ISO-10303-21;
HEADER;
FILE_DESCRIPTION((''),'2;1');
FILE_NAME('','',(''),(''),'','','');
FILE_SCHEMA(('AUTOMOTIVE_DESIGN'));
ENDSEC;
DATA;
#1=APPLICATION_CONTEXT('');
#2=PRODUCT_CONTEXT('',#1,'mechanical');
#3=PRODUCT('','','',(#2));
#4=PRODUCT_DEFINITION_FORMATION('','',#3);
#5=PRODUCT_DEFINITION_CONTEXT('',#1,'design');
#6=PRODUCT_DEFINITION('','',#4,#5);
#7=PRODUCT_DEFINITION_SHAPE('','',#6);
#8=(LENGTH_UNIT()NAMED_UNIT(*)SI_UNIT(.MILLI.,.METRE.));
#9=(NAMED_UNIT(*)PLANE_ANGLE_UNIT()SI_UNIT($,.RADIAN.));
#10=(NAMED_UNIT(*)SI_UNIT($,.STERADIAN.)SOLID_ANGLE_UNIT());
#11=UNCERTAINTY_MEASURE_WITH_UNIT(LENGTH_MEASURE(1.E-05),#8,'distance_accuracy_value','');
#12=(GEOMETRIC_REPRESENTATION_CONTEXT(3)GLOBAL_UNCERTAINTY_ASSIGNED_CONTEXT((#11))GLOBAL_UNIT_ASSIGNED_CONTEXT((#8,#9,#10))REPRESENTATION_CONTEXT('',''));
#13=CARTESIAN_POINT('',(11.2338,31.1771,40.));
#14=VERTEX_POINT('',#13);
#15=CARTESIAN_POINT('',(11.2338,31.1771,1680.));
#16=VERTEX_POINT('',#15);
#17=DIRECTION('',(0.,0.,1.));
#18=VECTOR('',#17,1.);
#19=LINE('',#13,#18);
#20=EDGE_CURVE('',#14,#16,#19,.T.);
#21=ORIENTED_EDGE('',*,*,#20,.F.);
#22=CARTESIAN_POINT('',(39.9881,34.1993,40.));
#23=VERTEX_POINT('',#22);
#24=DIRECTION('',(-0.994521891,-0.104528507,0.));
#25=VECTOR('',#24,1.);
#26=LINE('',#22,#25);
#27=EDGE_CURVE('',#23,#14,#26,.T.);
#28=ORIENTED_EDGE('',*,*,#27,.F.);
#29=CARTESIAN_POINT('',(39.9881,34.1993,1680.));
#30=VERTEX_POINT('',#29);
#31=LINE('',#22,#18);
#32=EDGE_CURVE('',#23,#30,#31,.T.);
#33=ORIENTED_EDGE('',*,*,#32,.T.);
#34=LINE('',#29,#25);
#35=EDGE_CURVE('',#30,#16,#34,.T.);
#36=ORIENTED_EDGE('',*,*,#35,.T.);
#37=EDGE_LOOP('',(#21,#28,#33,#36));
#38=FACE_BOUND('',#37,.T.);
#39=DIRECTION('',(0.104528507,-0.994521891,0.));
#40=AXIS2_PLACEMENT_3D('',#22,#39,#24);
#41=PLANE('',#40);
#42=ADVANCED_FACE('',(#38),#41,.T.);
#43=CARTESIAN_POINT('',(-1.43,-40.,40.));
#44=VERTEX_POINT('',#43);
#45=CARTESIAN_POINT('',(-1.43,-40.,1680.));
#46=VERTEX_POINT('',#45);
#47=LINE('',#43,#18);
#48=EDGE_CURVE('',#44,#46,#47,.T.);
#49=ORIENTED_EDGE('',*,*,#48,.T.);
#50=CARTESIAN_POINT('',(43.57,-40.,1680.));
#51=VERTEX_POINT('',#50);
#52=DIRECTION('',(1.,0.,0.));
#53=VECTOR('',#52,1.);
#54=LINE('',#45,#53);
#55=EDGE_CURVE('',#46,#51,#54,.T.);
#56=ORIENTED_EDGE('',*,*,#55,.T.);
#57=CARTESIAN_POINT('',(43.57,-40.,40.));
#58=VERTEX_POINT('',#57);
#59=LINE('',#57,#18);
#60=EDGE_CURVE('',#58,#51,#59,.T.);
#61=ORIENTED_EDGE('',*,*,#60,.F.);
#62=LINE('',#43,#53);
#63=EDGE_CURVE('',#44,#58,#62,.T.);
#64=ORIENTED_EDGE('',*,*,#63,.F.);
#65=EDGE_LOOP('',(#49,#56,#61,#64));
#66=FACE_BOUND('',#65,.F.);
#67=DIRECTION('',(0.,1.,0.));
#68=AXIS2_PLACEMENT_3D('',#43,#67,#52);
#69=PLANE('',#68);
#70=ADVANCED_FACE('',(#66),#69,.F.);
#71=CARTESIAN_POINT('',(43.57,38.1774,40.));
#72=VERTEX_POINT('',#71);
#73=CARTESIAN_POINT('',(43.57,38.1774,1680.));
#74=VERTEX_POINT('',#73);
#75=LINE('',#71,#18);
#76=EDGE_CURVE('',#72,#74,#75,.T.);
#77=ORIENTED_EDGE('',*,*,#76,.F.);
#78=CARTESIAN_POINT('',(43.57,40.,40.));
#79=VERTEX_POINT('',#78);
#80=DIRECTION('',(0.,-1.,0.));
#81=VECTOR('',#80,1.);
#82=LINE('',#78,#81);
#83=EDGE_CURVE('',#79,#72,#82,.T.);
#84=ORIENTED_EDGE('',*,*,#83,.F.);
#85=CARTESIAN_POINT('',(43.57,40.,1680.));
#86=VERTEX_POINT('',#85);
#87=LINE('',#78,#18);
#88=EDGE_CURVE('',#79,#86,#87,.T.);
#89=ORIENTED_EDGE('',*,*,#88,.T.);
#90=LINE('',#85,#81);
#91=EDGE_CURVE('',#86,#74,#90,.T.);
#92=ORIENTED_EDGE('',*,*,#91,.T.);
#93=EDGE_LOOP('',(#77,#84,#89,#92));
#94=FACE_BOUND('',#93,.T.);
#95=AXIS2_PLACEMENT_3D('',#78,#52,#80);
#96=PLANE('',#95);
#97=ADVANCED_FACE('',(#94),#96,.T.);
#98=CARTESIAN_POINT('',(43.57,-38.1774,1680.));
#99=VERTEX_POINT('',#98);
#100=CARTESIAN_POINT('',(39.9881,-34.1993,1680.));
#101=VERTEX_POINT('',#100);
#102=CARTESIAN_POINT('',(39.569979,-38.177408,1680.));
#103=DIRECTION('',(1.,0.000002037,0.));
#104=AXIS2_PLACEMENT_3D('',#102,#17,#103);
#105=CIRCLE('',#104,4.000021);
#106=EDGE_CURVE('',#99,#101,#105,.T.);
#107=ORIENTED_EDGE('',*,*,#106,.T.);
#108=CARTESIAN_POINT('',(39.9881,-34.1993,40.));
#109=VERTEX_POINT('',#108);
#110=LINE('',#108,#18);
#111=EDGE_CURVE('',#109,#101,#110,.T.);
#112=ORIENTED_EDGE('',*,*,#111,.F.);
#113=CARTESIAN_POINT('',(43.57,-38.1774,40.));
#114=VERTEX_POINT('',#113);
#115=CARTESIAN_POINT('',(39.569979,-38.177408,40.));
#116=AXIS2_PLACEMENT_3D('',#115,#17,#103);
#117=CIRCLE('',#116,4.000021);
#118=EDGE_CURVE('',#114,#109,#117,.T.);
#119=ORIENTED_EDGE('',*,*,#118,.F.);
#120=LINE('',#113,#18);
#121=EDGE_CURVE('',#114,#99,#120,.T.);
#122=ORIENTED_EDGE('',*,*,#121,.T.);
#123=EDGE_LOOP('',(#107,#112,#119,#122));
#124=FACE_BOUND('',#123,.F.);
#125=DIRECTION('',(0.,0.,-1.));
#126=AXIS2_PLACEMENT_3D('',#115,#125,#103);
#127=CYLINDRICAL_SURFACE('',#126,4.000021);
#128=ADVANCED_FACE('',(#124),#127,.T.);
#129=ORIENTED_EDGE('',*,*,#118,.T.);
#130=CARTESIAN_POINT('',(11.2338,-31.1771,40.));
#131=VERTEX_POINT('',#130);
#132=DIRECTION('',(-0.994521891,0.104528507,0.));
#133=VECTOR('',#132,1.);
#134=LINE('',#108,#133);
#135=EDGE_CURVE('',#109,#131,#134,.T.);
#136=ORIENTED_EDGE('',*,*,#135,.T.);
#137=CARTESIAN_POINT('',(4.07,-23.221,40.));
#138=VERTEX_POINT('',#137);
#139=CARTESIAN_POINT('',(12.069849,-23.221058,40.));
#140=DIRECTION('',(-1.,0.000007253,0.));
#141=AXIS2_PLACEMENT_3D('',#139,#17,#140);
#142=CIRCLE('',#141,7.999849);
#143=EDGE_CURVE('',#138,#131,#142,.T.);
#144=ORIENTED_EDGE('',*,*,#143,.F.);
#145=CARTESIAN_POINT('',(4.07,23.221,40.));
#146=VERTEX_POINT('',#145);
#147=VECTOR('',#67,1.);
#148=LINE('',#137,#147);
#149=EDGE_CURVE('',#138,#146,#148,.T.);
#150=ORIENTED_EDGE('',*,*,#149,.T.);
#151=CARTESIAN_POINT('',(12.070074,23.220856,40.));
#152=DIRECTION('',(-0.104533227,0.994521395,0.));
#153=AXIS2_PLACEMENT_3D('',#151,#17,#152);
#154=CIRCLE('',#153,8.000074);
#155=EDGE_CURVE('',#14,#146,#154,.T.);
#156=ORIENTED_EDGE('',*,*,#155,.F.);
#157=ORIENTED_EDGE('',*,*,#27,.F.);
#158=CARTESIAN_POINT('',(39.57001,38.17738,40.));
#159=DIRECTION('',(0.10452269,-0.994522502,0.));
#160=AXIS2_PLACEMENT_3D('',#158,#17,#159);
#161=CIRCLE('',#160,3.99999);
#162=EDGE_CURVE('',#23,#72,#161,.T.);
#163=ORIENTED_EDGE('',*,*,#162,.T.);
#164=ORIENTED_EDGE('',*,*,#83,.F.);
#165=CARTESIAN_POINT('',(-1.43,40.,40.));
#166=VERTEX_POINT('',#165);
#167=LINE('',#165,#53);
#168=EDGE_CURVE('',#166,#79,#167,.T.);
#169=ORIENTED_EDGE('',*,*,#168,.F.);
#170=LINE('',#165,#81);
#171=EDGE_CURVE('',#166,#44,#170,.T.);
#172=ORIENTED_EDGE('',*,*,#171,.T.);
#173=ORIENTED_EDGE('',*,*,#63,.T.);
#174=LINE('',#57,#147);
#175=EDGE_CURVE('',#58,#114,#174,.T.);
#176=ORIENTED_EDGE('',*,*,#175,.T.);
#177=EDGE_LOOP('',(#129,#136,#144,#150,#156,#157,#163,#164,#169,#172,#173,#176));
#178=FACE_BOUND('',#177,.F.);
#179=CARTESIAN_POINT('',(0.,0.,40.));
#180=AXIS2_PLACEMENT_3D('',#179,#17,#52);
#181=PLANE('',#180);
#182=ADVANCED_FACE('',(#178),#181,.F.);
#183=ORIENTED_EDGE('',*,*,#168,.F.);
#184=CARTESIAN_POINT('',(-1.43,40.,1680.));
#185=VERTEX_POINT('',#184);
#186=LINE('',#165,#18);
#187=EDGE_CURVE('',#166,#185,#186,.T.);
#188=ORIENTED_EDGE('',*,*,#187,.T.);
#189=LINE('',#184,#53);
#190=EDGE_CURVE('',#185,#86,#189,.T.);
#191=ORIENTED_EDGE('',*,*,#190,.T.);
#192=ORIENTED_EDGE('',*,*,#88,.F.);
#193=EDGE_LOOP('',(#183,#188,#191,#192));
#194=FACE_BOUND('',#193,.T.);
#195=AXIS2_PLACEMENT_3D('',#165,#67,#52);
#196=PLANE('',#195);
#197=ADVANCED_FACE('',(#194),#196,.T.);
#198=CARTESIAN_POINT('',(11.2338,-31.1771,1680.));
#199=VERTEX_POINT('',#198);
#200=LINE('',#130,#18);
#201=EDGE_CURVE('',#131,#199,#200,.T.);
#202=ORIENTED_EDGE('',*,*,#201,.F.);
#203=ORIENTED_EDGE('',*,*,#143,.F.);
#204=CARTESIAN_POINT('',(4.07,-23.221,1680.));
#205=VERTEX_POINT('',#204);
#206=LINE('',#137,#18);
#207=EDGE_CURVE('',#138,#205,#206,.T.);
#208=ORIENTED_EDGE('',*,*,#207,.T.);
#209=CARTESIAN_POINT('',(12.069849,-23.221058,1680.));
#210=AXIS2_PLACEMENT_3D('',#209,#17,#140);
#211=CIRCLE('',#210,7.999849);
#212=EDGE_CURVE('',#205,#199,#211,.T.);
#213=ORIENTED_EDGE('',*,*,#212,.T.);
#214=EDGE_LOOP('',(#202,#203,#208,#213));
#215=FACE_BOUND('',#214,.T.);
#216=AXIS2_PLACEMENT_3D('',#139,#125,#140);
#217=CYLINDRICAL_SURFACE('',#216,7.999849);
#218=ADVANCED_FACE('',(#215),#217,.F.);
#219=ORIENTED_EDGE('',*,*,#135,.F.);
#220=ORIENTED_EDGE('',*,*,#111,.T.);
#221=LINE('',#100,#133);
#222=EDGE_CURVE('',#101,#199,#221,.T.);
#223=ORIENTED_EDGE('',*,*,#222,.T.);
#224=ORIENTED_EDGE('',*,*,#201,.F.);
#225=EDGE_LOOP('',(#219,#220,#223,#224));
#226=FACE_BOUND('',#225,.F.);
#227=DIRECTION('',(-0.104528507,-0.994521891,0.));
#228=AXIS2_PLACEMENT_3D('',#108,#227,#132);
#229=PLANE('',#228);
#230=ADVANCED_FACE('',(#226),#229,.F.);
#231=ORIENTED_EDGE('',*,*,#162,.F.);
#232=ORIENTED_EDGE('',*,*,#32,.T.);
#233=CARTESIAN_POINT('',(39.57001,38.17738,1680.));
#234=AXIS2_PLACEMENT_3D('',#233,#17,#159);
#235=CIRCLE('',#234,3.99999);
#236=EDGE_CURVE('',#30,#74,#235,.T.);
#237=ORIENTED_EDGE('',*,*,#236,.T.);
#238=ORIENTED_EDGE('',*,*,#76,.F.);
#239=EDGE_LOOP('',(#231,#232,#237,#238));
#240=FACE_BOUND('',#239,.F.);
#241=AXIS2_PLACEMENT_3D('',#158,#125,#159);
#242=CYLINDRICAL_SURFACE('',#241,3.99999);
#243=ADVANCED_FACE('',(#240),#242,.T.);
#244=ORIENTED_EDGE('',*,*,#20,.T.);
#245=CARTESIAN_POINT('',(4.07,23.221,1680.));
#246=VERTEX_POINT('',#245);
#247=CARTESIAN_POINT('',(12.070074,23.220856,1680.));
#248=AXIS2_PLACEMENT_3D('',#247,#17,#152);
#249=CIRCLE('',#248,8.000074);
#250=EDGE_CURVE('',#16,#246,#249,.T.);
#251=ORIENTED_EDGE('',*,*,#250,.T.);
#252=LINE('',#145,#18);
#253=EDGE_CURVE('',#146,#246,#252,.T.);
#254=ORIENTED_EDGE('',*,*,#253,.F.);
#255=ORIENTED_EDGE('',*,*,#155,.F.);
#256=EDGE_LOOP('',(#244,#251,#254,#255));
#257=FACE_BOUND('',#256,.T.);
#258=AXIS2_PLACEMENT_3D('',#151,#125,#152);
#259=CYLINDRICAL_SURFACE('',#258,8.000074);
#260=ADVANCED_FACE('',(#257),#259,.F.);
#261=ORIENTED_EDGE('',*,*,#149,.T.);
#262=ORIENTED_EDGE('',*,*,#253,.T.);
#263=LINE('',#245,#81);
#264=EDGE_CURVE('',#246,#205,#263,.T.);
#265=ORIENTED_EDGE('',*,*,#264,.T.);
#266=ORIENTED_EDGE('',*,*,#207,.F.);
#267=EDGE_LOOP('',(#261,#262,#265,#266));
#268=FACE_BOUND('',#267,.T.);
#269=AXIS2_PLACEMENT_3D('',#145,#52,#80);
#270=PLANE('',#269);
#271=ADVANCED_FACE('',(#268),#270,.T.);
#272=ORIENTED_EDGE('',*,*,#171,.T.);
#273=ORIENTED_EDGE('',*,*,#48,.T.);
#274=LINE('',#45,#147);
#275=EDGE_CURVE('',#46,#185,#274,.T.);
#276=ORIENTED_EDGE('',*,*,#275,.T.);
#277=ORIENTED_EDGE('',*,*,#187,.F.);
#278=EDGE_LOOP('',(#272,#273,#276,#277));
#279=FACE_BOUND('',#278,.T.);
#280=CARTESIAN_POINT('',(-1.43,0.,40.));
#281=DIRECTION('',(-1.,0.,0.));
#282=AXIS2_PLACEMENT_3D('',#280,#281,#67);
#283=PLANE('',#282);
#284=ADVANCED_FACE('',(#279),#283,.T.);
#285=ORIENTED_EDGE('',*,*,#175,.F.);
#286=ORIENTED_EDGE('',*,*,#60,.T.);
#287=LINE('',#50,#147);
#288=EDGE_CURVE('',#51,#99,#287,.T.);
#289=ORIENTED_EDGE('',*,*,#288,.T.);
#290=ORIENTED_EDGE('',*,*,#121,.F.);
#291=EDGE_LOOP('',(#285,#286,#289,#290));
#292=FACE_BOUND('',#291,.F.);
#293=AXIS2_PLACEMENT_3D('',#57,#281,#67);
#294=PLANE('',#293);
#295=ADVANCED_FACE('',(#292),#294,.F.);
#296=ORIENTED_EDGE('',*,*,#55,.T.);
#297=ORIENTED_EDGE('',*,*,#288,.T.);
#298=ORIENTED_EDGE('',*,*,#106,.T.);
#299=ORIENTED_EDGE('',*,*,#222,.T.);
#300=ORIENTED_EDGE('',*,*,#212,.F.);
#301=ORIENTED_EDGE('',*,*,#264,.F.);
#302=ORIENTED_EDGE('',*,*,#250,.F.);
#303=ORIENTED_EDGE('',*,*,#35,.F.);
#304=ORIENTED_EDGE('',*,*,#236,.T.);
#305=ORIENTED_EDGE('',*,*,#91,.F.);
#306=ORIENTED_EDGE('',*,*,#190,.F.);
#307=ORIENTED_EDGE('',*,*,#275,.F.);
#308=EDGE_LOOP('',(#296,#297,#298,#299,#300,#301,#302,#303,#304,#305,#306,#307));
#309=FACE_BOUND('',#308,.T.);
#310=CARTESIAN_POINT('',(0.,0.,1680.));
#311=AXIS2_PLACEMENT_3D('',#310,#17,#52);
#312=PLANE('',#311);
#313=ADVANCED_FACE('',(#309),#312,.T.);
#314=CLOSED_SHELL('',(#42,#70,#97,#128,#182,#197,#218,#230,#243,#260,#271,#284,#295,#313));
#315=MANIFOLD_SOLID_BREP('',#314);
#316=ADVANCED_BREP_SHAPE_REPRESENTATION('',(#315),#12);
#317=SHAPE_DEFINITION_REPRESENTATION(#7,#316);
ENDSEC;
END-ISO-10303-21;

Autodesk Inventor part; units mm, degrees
ref_plane "Начальная плоскость" through (0, 0, 40) normal (0, 0, 1) x (1, 0, 0)
ref_plane "Конечная плоскость" through (0, 0, 1680) normal (0, 0, 1) x (1, 0, 0)
sketch "Эскиз" plane through (0, 0, 0) normal (0, 0, 1) x (1, 0, 0)
  line L0 (-1.43, 0) -> (-1.43, 40)
  line L1 (-1.43, 40) -> (43.57, 40)
  line L2 (43.57, 40) -> (43.57, 38.1774)
  line L3 (39.9881, 34.1993) -> (11.2338, 31.1771)
  line L4 (4.07, 23.221) -> (4.07, 0)
  line L5 (4.07, 0) -> (-1.43, 0) construction
  line L6 (23.82, 40) -> (23.82, 32.5) construction
  line L7 (43.57, 34.5758) -> (43.57, 32.5) construction
  line L8 (43.57, 32.5) -> (23.82, 32.5) construction
  line L9 (0, 15) -> (0, -27) construction
  line L10 (-5.539, 0) -> (16.0067, 0) construction
  line L11 (-1.43, 0) -> (-1.43, -40)
  line L12 (-1.43, -40) -> (43.57, -40)
  line L13 (43.57, -40) -> (43.57, -38.1774)
  line L14 (39.9881, -34.1993) -> (11.2338, -31.1771)
  line L15 (4.07, -23.221) -> (4.07, 0)
  arc A0 (11.2338, 31.1771) -> (4.07, 23.221) centre (12.07, 23.221) ccw
  arc A1 (4.07, -23.221) -> (11.2338, -31.1771) centre (12.07, -23.221) ccw
  arc A2 (39.9881, 34.1993) -> (43.57, 38.1774) centre (39.57, 38.1774) ccw
  arc A3 (43.57, -38.1774) -> (39.9881, -34.1993) centre (39.57, -38.1774) ccw
  line L16 (0, 56) -> (0, -56) construction
  line L17 (-15.5135, 0) -> (54.308, 0) construction
  point P0 (4.07, 30.4242)
  point P1 (43.57, -34.5758)
  point P2 (4.07, -30.4242)
  point P3 (23.82, -40)
  point P4 (23.82, -32.5)
  dimension "d0" = 5.5
  dimension "d1" = 40
  dimension "d2" = 45
  dimension "d3" = 7.5
  dimension "d4" = 19.75
  dimension "d5" = 2.0758
  dimension "d23" = 8
  dimension "d24" = 4
  dimension "d25" = 1.43
extrude "Тело" add sketch "Эскиз" along normal up to surface (1640 mm away) from surface at 40
sketch "Sketch3" plane through (0, 0, 0) normal (0, 0, 1) x (1, 0, 0)
  line L0 (0, 0) -> (10, 0)
ref_plane "Work Plane3" through (0, 0, 0) normal (0, -1, 0) x (1, 0, 0)
sketch "Sketch4" plane through (0, 0, 0) normal (0, -1, 0) x (1, 0, 0)
  line L0 (-2, 40) -> (12, 40)
  line L1 (-2, 1680) -> (12, 1680)
  dimension "d29" = 1640
ref_plane "РабПлоскость4" through (-1.43, -700, 1680) normal (0, 0, 1) x (1, 0, 0)
split "Разделение1" plane through (-1.43, -700, 1680) removes the side toward (0, 0, 1)
ref_plane "РабПлоскость5" through (-1.43, 2370, 40) normal (0, 0, -1) x (-1, 0, 0)
split "Разделение2" plane through (-1.43, 2370, 40) removes the side toward (0, 0, -1)
equation "\"d0\" = G_T"
equation "\"d1\" = 0.5 * G_H"
equation "\"d2\" = G_W"
equation "\"d3\" = G_T1"
equation "\"d4\" = G_C"
equation "\"d23\" = G_IR"
equation "\"d24\" = G_ER"
equation "\"d25\" = ex"
equation "\"d6\" = G_L"
equation "\"G_W\" = 45"
equation "\"G_T\" = 5.5"
equation "\"G_T1\" = 7.5"
equation "\"G_NG\" = 0.105104"
equation "\"G_ER\" = 4"
equation "\"G_IR\" = 8"
equation "\"G_C\" = 19.75"
equation "\"G_L\" = d29"
equation "\"ex\" = 1.43"
equation "\"G_H\" = 80"
properties part number "ISO 657/11 - CH 80 x 8 - 1640" material "Сталь, мягкая"
